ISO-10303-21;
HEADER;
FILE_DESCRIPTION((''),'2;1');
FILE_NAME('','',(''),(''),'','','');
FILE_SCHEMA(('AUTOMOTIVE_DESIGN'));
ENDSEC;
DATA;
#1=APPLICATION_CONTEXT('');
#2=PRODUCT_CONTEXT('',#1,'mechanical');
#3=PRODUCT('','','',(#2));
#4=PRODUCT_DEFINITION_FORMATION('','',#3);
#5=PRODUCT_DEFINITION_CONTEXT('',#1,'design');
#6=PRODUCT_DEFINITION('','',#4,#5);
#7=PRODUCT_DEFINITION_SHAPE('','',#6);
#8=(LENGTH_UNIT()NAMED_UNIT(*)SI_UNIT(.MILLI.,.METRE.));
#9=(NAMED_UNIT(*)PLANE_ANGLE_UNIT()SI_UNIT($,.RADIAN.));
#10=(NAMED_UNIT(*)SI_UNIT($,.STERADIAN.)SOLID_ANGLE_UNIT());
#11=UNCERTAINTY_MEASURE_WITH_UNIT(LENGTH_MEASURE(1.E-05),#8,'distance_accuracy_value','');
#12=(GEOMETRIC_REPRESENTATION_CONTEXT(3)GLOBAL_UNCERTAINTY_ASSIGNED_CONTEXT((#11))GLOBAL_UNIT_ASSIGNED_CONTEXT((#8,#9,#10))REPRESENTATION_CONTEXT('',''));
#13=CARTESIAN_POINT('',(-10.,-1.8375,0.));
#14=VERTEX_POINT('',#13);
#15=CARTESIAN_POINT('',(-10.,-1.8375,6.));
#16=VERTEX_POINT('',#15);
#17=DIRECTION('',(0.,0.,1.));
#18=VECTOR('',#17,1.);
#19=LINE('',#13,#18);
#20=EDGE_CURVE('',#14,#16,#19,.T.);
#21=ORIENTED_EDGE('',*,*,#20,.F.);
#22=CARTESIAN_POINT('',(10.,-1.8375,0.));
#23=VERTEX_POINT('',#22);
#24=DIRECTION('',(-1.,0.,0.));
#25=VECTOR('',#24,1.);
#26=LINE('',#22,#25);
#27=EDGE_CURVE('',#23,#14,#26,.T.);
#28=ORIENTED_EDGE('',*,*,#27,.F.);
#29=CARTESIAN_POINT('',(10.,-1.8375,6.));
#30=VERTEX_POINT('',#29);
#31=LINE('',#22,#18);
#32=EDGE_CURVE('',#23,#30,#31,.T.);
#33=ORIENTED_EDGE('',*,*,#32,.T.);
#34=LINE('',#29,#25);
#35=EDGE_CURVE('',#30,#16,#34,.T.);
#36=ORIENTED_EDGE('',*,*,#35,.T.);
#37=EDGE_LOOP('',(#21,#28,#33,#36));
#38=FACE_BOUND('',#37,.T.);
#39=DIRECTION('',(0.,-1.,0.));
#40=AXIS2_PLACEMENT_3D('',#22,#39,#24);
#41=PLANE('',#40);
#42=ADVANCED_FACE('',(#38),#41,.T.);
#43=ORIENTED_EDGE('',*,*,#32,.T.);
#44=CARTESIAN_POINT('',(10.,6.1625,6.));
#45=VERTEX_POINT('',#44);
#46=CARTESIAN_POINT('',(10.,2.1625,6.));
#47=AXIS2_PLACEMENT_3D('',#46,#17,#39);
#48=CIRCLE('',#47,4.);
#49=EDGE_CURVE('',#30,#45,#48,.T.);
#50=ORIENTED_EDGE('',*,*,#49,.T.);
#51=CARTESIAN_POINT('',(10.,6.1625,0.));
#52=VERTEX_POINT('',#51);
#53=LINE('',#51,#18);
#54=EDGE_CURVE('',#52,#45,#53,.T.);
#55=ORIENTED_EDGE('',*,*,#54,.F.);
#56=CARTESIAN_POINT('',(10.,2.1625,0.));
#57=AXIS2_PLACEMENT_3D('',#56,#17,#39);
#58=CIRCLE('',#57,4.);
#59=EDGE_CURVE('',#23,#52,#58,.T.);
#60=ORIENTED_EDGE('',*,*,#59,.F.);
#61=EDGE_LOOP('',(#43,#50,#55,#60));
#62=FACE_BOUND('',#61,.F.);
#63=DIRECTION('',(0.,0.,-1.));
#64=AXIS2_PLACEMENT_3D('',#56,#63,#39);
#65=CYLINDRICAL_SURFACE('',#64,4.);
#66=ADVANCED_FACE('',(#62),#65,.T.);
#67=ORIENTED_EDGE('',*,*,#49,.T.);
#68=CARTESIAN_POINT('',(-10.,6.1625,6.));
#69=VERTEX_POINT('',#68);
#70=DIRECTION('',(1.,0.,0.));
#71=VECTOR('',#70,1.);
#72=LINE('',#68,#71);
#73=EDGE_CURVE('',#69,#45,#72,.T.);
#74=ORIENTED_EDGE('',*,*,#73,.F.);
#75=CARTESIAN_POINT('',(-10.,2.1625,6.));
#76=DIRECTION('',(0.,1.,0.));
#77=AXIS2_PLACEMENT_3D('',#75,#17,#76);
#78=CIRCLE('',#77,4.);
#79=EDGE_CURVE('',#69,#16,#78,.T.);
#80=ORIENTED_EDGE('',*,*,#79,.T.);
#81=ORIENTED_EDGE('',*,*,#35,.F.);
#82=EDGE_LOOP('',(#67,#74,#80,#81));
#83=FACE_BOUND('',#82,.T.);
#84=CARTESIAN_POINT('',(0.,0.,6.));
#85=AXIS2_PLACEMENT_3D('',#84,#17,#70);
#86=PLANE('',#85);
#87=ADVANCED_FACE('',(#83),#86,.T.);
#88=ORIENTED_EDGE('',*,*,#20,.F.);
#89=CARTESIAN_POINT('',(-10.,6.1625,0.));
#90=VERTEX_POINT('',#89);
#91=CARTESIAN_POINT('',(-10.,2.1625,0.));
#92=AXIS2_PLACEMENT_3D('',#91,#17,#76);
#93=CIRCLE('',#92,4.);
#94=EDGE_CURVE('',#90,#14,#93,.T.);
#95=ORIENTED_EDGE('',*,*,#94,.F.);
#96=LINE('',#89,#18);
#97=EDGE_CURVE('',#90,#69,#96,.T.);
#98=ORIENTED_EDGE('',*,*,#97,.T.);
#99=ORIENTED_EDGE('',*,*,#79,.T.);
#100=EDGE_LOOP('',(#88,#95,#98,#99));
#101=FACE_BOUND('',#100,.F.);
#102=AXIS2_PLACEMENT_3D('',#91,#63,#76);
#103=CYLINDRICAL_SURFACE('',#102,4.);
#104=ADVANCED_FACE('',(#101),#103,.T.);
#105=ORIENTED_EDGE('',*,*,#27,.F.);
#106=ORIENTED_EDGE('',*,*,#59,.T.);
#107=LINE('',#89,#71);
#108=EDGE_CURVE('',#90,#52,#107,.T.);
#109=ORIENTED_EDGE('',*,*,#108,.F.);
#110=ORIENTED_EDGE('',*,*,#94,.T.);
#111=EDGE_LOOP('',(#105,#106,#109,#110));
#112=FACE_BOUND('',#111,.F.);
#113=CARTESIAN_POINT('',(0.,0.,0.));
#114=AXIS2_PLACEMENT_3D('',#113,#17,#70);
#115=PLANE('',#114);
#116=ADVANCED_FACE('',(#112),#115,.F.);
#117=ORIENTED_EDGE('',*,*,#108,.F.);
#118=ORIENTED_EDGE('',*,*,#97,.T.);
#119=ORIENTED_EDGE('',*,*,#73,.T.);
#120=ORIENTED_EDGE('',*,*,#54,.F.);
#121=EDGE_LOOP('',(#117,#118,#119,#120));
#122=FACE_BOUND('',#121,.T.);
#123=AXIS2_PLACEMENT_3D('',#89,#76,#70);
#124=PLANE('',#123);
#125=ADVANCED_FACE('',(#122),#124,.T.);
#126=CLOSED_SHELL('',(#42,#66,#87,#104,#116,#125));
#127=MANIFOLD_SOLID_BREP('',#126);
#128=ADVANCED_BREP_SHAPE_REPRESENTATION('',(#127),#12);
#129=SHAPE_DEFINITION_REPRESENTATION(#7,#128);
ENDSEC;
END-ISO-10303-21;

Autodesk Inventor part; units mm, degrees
ref_plane "YZ Plane" through (0, 0, 0) normal (1, 0, 0) x (0, 1, 0)
ref_plane "XZ Plane" through (0, 0, 0) normal (0, 1, 0) x (-1, 0, 0)
ref_plane "XY Plane" through (0, 0, 0) normal (0, 0, 1) x (1, 0, 0)
sketch "Boceto1" plane through (0, 0, 0) normal (0, 0, 1) x (1, 0, 0)
  line L0 (10, -1.8375) -> (-10, -1.8375)
  line L1 (-10, 6.1625) -> (10, 6.1625)
  arc A0 (-10, 6.1625) -> (-10, -1.8375) centre (-10, 2.1625) ccw
  arc A1 (10, -1.8375) -> (10, 6.1625) centre (10, 2.1625) ccw
  point P0 (-0.5, 2.1625)
  point P1 (-14, 2.1625)
  dimension "d25" = 8
  dimension "d26" = 20
extrude "Extrusión2" add sketch "Boceto1" along normal blind 6
properties part number "Chaveta- Tren 1"
